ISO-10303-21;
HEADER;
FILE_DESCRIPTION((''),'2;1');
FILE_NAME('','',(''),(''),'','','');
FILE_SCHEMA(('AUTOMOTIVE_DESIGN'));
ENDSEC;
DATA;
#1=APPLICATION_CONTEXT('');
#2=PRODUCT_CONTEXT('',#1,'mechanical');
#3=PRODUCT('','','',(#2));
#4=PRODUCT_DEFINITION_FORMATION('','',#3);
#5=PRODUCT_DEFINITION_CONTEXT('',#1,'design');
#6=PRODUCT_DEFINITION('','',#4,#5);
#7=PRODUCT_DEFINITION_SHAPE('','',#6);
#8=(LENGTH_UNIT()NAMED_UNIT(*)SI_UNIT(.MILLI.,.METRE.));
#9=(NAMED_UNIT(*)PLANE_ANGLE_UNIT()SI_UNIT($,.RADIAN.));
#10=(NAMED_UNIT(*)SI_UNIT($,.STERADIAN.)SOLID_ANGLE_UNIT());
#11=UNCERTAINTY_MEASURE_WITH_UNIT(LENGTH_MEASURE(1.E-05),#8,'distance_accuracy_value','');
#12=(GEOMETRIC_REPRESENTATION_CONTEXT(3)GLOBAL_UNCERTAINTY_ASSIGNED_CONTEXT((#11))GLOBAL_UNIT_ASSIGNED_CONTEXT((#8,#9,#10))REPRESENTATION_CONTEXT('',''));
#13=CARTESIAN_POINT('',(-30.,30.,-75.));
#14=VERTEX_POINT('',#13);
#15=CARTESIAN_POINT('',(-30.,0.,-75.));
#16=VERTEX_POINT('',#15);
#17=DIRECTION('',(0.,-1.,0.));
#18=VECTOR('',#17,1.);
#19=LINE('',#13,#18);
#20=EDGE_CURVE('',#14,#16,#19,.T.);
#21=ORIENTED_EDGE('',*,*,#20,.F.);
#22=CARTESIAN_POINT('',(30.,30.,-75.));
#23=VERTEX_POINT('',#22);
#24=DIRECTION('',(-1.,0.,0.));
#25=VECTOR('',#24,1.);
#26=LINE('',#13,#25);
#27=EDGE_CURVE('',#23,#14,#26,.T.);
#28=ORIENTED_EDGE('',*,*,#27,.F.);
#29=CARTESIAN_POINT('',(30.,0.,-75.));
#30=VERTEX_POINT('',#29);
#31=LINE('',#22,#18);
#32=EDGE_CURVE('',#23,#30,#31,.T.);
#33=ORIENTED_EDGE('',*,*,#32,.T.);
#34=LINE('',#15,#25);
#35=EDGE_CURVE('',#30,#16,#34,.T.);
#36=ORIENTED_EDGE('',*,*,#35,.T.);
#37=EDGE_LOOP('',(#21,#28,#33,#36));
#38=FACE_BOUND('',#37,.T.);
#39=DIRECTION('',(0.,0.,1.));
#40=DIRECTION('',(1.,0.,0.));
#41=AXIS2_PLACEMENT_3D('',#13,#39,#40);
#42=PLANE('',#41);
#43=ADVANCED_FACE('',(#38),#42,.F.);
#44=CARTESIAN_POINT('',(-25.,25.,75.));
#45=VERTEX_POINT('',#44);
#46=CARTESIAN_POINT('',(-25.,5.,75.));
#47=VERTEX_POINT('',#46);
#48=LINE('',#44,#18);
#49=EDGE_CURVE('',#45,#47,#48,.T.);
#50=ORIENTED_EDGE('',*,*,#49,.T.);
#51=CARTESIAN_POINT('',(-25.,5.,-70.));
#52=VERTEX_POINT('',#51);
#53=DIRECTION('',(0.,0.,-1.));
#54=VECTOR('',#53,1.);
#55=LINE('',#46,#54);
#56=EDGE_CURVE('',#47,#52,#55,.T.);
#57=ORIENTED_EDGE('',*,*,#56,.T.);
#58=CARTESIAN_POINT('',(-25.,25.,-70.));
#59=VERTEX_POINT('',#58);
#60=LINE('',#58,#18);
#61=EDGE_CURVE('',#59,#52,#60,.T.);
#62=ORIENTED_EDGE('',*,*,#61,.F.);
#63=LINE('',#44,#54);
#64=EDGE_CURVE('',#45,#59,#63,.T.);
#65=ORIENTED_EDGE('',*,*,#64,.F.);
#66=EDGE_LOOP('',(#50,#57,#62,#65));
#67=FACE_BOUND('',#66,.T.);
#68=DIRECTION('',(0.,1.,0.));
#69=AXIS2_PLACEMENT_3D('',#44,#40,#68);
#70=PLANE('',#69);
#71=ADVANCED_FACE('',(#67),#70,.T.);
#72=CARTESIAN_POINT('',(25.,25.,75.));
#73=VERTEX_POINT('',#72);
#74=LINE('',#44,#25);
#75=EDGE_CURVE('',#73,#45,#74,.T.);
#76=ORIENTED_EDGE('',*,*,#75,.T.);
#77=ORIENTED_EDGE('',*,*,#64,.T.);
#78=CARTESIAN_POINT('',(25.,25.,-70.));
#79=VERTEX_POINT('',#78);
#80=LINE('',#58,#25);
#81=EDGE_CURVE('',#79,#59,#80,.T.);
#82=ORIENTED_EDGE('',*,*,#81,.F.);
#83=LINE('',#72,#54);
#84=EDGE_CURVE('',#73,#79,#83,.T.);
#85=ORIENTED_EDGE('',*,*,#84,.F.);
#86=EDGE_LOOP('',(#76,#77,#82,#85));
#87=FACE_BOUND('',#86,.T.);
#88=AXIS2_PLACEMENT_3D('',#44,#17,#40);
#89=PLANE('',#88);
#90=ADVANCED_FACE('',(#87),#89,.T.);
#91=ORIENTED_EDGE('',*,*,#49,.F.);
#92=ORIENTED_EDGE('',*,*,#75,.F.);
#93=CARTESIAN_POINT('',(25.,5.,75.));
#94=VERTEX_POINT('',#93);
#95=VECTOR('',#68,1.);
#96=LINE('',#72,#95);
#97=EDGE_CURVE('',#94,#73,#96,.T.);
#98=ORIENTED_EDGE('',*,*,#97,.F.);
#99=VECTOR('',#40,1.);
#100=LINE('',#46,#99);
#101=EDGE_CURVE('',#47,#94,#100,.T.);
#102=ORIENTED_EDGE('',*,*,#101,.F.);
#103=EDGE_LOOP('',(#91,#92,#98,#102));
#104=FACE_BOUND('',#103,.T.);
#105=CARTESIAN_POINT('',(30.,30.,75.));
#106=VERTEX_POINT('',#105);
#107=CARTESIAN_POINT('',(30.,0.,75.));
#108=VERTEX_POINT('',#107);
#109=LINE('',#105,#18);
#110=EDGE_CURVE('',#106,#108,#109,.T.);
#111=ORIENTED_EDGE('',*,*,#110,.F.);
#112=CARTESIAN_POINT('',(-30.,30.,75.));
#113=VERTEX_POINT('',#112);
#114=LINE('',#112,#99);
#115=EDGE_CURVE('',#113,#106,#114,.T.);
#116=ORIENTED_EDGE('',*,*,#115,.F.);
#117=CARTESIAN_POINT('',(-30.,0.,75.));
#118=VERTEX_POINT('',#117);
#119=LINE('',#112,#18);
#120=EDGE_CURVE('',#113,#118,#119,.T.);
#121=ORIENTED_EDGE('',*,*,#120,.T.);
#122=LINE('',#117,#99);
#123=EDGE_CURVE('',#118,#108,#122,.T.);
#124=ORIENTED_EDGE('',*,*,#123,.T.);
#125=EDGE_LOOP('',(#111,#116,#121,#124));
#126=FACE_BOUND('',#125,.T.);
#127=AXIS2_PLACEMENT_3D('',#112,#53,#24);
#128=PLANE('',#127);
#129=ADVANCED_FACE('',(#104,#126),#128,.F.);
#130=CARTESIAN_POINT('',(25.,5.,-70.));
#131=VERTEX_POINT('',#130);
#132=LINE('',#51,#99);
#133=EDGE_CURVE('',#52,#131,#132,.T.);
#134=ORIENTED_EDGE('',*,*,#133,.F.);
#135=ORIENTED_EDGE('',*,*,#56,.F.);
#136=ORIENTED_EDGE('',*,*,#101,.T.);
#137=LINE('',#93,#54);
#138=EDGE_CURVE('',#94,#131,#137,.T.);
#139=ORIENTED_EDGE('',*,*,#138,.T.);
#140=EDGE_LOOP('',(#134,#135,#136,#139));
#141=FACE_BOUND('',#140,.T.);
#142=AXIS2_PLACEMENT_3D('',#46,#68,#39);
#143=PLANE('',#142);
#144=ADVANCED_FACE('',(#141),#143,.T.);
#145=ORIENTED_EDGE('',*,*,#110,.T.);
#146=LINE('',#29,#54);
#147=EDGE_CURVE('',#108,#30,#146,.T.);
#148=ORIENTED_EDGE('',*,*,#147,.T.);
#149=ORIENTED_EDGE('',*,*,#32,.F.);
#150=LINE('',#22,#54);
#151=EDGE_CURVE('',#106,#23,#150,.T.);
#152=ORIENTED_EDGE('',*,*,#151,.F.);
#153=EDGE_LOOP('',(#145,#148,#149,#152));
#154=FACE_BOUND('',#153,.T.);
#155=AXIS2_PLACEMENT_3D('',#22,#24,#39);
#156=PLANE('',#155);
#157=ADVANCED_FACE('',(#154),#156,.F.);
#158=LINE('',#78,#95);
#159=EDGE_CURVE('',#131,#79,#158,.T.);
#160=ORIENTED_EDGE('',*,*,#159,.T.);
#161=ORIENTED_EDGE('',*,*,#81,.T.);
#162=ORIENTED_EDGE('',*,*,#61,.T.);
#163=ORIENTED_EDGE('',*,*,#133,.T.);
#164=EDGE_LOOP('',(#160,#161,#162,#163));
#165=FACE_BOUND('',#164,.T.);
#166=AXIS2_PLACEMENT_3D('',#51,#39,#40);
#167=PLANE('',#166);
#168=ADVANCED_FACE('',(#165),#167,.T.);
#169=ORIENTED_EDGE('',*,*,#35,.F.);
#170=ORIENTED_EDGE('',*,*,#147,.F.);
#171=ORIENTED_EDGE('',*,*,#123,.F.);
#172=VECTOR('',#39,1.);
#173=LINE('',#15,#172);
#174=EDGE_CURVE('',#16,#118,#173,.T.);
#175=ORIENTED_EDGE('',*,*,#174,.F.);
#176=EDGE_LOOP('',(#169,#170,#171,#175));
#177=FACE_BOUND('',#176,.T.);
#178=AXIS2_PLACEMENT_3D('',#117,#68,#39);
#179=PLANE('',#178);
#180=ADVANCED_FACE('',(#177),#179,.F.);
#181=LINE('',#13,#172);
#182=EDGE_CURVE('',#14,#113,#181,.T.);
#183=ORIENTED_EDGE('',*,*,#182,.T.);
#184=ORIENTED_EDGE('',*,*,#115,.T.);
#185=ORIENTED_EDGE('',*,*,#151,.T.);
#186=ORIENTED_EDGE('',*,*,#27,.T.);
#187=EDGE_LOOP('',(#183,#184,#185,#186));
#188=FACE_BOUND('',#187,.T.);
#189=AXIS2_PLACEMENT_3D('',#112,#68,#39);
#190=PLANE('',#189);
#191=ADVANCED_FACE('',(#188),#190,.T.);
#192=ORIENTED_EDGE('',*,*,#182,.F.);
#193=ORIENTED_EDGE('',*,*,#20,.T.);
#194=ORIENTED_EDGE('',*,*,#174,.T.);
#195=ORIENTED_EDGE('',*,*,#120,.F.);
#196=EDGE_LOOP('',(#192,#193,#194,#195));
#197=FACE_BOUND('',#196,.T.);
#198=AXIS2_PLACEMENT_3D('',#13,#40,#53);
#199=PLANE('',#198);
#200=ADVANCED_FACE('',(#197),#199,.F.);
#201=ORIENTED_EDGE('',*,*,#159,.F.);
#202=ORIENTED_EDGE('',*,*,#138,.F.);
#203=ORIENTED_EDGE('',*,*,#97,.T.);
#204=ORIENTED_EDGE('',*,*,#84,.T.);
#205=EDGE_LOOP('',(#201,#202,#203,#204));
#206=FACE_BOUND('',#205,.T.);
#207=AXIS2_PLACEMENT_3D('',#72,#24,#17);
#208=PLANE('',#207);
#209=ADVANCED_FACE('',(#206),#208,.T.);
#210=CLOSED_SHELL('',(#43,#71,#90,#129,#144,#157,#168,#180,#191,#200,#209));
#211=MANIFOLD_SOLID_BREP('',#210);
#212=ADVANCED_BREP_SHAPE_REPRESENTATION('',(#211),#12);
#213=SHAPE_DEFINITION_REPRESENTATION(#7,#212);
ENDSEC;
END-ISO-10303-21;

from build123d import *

# Parameters (mm, degrees)
ESQUISSE1_W                  = 60
ESQUISSE1_H                  = 150
BOSS_EXTRU_1_DEPTH           = 30
ESQUISSE2_W                  = 50
ESQUISSE2_H                  = 20
ENL_V_MAT_EXTRU_1_DEPTH      = 75
ENL_V_MAT_EXTRU_1_DEPTH_BACK = 70


with BuildPart() as part:
    # Esquisse1 → Boss.-Extru.1 (new body)
    with BuildSketch(Plane(origin=(0, 0, 0), x_dir=(1, 0, 0), z_dir=(0, 1, 0))):
        Rectangle(ESQUISSE1_W, ESQUISSE1_H)
    extrude(amount=BOSS_EXTRU_1_DEPTH)

    # Esquisse2 → Enlèv. mat.-Extru.1 (cut, two sides)
    with BuildSketch(Plane.XY) as enl_v_mat_extru_1_sk:
        with Locations((0, 15)):
            Rectangle(ESQUISSE2_W, ESQUISSE2_H)
    extrude(amount=ENL_V_MAT_EXTRU_1_DEPTH, mode=Mode.SUBTRACT)
    extrude(enl_v_mat_extru_1_sk.sketch, amount=-ENL_V_MAT_EXTRU_1_DEPTH_BACK, mode=Mode.SUBTRACT)


solid = part.part
